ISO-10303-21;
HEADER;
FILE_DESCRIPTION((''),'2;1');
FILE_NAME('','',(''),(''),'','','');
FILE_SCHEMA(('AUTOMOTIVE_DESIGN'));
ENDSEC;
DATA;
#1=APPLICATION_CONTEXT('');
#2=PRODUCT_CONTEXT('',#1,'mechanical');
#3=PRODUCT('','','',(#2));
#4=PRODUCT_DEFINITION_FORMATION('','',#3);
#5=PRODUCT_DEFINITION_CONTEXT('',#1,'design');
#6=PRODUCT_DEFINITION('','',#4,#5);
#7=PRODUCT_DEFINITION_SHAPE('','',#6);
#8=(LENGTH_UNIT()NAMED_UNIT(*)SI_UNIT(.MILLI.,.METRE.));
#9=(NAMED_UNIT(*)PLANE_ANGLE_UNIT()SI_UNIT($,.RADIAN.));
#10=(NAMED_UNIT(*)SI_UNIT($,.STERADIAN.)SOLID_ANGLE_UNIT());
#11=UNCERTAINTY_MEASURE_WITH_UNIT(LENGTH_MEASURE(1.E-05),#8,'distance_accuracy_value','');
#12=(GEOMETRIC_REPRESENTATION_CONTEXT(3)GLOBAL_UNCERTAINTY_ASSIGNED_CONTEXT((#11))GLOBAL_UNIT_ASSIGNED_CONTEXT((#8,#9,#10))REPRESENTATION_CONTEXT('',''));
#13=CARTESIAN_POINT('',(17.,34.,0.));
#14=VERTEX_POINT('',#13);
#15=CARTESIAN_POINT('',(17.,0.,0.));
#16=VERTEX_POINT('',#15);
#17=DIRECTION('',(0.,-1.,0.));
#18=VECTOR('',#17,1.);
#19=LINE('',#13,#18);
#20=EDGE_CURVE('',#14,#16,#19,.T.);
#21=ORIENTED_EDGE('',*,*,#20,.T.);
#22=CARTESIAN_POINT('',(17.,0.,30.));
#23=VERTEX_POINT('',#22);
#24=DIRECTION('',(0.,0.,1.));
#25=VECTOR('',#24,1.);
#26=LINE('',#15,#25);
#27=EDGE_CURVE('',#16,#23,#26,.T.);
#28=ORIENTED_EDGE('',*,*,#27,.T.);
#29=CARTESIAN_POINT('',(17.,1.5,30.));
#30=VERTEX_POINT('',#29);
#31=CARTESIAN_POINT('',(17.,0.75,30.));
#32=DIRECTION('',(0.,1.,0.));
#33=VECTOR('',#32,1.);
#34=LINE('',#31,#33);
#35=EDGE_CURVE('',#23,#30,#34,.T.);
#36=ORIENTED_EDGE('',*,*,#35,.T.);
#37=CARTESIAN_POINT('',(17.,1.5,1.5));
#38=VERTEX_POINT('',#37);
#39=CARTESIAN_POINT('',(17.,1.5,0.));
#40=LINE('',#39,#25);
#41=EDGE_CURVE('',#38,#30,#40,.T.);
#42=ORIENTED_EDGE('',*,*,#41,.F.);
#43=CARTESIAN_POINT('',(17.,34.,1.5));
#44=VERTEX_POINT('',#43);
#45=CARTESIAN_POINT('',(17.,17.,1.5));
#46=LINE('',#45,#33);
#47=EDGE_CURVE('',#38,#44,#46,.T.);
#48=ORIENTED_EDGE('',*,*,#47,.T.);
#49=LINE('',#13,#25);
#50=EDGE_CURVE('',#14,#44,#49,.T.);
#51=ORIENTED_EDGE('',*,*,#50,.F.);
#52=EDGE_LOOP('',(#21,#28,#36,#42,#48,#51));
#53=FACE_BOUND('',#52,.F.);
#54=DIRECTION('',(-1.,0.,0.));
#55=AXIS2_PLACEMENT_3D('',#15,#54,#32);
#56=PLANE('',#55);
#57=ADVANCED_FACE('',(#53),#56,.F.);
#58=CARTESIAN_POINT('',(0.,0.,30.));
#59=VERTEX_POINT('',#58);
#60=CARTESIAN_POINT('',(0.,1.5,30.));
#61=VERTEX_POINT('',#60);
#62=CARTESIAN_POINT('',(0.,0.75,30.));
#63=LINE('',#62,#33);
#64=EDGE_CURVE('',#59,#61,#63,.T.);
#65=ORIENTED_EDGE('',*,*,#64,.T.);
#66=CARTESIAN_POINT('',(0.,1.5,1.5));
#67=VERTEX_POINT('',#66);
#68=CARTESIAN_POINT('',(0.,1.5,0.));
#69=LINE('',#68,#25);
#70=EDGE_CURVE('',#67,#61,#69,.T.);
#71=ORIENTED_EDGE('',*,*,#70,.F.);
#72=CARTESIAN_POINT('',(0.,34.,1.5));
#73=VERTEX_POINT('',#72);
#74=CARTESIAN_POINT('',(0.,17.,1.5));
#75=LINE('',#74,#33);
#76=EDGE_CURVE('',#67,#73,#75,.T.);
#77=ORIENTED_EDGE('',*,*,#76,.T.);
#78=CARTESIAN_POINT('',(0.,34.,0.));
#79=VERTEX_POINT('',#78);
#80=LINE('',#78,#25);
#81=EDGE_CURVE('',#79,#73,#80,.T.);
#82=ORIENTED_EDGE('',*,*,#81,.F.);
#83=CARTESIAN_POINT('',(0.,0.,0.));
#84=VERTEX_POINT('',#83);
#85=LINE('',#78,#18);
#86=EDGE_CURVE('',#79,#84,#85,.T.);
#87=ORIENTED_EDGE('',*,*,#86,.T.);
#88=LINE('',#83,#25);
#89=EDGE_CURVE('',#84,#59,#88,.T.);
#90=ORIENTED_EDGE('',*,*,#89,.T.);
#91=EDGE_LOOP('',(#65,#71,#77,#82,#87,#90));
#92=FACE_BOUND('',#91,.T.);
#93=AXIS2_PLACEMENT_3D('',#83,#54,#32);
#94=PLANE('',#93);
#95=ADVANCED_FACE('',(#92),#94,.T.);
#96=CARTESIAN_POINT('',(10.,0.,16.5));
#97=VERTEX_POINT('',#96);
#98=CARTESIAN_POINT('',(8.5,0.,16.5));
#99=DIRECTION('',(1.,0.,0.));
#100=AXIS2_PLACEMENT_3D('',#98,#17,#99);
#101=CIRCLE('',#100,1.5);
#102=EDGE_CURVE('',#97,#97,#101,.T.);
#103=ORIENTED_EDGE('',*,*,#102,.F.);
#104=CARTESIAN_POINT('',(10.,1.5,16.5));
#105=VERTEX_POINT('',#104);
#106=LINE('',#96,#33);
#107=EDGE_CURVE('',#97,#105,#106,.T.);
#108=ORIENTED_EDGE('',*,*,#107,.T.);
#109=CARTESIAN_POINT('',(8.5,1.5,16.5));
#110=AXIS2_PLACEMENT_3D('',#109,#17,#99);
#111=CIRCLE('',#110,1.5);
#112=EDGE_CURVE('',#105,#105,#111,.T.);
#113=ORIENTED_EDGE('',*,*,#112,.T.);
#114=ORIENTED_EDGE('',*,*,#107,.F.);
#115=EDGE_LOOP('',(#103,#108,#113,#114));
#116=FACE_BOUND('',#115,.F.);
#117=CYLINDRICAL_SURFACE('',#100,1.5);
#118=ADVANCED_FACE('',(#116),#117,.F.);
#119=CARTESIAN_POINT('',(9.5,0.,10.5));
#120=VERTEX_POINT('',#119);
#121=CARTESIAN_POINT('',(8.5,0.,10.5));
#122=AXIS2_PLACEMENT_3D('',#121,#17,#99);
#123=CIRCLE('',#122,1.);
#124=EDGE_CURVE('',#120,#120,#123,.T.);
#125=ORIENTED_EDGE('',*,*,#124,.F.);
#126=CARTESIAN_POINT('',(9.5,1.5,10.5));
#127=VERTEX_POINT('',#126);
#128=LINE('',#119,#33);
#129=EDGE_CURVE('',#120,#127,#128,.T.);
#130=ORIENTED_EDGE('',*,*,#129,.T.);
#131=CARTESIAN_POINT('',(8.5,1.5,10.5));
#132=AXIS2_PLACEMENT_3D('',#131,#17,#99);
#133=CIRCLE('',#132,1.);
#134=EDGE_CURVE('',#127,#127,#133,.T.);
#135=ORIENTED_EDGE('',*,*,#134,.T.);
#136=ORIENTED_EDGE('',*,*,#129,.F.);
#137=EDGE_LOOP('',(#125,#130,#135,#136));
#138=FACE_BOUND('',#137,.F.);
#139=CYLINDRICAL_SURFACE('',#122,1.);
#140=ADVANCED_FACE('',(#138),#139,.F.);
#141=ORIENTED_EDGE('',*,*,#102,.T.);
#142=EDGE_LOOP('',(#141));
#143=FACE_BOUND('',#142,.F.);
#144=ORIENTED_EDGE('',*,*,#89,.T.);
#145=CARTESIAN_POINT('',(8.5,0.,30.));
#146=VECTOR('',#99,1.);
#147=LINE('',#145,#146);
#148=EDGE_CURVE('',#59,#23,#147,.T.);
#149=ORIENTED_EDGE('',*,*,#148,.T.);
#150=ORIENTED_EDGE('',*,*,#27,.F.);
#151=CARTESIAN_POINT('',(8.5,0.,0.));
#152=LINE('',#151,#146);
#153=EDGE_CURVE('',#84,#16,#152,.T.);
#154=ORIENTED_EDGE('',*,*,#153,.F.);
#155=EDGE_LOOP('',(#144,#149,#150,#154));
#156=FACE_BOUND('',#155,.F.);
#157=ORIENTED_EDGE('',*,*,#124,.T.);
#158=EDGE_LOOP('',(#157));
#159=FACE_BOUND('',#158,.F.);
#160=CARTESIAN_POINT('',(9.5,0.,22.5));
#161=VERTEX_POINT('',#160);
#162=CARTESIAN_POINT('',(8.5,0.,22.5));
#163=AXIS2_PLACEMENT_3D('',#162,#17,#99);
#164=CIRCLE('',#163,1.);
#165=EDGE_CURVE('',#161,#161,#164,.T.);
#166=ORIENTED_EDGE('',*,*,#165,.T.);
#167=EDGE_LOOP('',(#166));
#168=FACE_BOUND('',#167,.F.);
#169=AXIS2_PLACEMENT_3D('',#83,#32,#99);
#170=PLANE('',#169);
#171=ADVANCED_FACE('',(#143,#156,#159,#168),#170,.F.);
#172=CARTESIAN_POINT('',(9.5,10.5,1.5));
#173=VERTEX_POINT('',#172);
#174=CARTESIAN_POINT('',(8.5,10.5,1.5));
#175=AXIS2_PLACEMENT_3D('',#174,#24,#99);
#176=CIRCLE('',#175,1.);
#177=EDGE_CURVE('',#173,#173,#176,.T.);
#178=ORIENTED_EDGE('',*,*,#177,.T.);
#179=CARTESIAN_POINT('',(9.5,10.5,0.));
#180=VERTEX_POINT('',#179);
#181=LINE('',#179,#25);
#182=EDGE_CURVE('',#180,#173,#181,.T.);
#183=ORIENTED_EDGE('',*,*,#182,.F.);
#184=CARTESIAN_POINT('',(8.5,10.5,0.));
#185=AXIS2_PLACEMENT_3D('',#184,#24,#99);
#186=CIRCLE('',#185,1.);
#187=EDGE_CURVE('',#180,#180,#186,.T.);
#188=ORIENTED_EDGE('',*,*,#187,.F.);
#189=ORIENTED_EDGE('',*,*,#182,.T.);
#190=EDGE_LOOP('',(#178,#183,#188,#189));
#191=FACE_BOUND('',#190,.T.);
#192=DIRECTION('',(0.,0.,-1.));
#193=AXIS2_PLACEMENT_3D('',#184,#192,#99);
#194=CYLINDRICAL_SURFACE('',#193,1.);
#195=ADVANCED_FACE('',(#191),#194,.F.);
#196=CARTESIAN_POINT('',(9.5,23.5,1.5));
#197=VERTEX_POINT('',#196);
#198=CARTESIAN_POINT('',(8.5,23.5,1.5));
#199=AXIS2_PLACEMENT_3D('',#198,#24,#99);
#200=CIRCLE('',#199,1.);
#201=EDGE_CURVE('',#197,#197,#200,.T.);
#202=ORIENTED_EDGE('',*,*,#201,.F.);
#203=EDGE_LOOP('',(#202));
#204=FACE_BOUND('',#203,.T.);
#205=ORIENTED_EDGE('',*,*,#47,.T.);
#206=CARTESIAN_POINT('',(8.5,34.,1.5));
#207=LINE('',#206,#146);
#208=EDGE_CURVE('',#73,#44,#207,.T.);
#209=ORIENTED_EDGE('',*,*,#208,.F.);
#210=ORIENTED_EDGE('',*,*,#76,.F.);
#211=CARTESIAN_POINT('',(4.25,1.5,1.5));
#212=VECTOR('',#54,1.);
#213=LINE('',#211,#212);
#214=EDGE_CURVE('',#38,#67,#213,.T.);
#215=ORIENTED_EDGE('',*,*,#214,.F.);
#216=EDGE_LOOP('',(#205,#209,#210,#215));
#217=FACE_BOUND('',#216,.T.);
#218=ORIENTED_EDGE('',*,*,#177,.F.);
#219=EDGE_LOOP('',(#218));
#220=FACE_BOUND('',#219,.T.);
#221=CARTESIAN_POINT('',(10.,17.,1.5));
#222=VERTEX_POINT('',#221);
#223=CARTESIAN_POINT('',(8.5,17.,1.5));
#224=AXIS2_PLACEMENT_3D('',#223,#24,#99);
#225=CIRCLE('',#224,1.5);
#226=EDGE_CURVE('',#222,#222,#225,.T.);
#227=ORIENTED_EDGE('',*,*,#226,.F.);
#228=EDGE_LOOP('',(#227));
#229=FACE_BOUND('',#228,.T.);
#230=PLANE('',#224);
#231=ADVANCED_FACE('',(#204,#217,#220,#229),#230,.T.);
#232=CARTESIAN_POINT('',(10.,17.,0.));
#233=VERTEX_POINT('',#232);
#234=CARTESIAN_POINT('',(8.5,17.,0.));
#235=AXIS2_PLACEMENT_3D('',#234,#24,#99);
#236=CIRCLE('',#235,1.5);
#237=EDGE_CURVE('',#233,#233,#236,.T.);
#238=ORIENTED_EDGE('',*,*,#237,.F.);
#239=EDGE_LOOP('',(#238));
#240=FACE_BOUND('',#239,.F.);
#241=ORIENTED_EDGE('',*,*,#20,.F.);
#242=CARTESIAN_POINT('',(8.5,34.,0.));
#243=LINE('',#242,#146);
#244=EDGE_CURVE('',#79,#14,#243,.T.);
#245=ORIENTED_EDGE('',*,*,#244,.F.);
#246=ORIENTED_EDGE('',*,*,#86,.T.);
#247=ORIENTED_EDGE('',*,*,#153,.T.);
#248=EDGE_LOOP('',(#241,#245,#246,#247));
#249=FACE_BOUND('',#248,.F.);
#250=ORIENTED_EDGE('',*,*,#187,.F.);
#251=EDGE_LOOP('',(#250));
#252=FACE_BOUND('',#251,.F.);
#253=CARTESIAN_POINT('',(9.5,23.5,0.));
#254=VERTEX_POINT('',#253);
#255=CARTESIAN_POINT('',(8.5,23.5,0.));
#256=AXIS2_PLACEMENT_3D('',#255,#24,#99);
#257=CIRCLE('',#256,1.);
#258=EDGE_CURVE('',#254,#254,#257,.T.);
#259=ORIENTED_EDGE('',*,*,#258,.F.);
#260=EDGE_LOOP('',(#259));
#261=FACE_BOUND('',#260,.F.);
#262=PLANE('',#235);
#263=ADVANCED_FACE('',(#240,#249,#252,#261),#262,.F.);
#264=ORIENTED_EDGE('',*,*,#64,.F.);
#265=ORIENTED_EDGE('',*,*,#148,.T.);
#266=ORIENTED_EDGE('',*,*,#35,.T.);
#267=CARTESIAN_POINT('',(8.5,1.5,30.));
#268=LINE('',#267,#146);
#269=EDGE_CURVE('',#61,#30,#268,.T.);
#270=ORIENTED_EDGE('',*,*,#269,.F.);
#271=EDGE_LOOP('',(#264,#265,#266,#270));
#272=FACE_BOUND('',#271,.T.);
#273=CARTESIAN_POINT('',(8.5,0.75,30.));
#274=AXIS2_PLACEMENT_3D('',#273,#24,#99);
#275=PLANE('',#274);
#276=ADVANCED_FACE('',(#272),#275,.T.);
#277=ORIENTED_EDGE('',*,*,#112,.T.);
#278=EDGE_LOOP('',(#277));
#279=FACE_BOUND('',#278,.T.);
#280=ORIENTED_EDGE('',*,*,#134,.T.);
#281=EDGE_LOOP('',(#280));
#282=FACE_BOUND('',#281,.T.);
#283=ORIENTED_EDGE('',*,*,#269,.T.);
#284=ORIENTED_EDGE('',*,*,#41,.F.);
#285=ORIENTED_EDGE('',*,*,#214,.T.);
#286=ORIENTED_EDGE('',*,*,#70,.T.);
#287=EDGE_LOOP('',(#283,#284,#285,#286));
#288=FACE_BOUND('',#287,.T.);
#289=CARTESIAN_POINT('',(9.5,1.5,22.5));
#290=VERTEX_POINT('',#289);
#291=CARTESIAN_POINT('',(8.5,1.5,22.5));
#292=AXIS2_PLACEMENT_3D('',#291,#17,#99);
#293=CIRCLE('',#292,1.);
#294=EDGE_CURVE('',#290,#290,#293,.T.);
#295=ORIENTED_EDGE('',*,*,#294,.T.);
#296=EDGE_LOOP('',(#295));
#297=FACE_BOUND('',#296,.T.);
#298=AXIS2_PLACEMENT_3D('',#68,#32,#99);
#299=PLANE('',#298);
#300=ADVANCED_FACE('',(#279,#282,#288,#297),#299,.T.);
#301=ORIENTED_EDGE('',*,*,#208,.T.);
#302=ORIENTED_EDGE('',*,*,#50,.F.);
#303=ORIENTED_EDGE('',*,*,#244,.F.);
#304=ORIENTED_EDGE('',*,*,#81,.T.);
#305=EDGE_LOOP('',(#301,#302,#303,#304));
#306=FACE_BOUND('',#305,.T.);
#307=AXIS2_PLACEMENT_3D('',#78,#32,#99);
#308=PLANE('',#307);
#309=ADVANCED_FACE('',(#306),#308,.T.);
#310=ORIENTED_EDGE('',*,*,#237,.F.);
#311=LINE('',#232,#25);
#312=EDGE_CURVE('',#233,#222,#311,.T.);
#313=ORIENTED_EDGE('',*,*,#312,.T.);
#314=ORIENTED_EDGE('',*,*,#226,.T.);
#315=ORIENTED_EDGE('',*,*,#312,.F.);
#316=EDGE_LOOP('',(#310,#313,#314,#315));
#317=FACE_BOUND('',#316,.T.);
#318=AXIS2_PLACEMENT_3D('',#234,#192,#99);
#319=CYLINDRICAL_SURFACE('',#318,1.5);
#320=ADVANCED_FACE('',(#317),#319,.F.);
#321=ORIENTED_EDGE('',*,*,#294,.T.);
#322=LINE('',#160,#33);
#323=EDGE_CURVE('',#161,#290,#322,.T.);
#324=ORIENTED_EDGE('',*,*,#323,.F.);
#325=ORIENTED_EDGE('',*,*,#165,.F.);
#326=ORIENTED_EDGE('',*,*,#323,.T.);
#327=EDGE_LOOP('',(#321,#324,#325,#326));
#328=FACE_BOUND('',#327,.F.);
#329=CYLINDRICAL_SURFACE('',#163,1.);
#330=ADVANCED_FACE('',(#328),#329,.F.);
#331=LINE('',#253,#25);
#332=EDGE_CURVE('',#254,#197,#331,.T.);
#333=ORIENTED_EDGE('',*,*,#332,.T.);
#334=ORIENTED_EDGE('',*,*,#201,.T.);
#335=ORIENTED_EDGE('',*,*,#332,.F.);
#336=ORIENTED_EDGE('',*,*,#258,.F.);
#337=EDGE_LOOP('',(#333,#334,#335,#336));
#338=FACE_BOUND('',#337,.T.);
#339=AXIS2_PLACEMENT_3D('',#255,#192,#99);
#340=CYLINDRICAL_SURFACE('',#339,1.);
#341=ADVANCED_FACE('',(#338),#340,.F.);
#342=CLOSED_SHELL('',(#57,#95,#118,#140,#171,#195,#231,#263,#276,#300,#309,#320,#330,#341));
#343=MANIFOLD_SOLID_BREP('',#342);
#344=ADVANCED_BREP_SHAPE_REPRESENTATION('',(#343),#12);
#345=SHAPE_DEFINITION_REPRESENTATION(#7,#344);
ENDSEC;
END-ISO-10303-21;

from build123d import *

# Parameters (mm, degrees)
SKETCH_W      = 17
SKETCH_H      = 34
SKETCH_R      = 1.5
SKETCH_R_2    = 1
PAD_DEPTH     = 1.5
SKETCH001_W   = 17
SKETCH001_H   = 1.5
PAD001_DEPTH  = 30
SKETCH002_R   = 1.5
SKETCH002_R_2 = 1
POCKET_DEPTH  = 34.001


with BuildPart() as part:
    # Sketch → Pad (new body)
    with BuildSketch(Plane.XY):
        with Locations((8.5, 17)):
            Rectangle(SKETCH_W, SKETCH_H)
        with Locations((8.5, 17)):
            Circle(SKETCH_R, mode=Mode.SUBTRACT)
        with Locations((8.5, 10.5)):
            Circle(SKETCH_R_2, mode=Mode.SUBTRACT)
        with Locations((8.5, 23.5)):
            Circle(SKETCH_R_2, mode=Mode.SUBTRACT)
    extrude(amount=PAD_DEPTH)

    # Sketch001 → Pad001 (new body)
    with BuildSketch(Plane.XY):
        with Locations((8.5, 0.75)):
            Rectangle(SKETCH001_W, SKETCH001_H)
    extrude(amount=PAD001_DEPTH)

    # Sketch002 → Pocket (cut, through all)
    with BuildSketch(Plane.XZ):
        with Locations((8.5, 16.5)):
            Circle(SKETCH002_R)
        with Locations((8.5, 10.5)):
            Circle(SKETCH002_R_2)
        with Locations((8.5, 22.5)):
            Circle(SKETCH002_R_2)
    extrude(amount=-POCKET_DEPTH, mode=Mode.SUBTRACT)


solid = part.part
